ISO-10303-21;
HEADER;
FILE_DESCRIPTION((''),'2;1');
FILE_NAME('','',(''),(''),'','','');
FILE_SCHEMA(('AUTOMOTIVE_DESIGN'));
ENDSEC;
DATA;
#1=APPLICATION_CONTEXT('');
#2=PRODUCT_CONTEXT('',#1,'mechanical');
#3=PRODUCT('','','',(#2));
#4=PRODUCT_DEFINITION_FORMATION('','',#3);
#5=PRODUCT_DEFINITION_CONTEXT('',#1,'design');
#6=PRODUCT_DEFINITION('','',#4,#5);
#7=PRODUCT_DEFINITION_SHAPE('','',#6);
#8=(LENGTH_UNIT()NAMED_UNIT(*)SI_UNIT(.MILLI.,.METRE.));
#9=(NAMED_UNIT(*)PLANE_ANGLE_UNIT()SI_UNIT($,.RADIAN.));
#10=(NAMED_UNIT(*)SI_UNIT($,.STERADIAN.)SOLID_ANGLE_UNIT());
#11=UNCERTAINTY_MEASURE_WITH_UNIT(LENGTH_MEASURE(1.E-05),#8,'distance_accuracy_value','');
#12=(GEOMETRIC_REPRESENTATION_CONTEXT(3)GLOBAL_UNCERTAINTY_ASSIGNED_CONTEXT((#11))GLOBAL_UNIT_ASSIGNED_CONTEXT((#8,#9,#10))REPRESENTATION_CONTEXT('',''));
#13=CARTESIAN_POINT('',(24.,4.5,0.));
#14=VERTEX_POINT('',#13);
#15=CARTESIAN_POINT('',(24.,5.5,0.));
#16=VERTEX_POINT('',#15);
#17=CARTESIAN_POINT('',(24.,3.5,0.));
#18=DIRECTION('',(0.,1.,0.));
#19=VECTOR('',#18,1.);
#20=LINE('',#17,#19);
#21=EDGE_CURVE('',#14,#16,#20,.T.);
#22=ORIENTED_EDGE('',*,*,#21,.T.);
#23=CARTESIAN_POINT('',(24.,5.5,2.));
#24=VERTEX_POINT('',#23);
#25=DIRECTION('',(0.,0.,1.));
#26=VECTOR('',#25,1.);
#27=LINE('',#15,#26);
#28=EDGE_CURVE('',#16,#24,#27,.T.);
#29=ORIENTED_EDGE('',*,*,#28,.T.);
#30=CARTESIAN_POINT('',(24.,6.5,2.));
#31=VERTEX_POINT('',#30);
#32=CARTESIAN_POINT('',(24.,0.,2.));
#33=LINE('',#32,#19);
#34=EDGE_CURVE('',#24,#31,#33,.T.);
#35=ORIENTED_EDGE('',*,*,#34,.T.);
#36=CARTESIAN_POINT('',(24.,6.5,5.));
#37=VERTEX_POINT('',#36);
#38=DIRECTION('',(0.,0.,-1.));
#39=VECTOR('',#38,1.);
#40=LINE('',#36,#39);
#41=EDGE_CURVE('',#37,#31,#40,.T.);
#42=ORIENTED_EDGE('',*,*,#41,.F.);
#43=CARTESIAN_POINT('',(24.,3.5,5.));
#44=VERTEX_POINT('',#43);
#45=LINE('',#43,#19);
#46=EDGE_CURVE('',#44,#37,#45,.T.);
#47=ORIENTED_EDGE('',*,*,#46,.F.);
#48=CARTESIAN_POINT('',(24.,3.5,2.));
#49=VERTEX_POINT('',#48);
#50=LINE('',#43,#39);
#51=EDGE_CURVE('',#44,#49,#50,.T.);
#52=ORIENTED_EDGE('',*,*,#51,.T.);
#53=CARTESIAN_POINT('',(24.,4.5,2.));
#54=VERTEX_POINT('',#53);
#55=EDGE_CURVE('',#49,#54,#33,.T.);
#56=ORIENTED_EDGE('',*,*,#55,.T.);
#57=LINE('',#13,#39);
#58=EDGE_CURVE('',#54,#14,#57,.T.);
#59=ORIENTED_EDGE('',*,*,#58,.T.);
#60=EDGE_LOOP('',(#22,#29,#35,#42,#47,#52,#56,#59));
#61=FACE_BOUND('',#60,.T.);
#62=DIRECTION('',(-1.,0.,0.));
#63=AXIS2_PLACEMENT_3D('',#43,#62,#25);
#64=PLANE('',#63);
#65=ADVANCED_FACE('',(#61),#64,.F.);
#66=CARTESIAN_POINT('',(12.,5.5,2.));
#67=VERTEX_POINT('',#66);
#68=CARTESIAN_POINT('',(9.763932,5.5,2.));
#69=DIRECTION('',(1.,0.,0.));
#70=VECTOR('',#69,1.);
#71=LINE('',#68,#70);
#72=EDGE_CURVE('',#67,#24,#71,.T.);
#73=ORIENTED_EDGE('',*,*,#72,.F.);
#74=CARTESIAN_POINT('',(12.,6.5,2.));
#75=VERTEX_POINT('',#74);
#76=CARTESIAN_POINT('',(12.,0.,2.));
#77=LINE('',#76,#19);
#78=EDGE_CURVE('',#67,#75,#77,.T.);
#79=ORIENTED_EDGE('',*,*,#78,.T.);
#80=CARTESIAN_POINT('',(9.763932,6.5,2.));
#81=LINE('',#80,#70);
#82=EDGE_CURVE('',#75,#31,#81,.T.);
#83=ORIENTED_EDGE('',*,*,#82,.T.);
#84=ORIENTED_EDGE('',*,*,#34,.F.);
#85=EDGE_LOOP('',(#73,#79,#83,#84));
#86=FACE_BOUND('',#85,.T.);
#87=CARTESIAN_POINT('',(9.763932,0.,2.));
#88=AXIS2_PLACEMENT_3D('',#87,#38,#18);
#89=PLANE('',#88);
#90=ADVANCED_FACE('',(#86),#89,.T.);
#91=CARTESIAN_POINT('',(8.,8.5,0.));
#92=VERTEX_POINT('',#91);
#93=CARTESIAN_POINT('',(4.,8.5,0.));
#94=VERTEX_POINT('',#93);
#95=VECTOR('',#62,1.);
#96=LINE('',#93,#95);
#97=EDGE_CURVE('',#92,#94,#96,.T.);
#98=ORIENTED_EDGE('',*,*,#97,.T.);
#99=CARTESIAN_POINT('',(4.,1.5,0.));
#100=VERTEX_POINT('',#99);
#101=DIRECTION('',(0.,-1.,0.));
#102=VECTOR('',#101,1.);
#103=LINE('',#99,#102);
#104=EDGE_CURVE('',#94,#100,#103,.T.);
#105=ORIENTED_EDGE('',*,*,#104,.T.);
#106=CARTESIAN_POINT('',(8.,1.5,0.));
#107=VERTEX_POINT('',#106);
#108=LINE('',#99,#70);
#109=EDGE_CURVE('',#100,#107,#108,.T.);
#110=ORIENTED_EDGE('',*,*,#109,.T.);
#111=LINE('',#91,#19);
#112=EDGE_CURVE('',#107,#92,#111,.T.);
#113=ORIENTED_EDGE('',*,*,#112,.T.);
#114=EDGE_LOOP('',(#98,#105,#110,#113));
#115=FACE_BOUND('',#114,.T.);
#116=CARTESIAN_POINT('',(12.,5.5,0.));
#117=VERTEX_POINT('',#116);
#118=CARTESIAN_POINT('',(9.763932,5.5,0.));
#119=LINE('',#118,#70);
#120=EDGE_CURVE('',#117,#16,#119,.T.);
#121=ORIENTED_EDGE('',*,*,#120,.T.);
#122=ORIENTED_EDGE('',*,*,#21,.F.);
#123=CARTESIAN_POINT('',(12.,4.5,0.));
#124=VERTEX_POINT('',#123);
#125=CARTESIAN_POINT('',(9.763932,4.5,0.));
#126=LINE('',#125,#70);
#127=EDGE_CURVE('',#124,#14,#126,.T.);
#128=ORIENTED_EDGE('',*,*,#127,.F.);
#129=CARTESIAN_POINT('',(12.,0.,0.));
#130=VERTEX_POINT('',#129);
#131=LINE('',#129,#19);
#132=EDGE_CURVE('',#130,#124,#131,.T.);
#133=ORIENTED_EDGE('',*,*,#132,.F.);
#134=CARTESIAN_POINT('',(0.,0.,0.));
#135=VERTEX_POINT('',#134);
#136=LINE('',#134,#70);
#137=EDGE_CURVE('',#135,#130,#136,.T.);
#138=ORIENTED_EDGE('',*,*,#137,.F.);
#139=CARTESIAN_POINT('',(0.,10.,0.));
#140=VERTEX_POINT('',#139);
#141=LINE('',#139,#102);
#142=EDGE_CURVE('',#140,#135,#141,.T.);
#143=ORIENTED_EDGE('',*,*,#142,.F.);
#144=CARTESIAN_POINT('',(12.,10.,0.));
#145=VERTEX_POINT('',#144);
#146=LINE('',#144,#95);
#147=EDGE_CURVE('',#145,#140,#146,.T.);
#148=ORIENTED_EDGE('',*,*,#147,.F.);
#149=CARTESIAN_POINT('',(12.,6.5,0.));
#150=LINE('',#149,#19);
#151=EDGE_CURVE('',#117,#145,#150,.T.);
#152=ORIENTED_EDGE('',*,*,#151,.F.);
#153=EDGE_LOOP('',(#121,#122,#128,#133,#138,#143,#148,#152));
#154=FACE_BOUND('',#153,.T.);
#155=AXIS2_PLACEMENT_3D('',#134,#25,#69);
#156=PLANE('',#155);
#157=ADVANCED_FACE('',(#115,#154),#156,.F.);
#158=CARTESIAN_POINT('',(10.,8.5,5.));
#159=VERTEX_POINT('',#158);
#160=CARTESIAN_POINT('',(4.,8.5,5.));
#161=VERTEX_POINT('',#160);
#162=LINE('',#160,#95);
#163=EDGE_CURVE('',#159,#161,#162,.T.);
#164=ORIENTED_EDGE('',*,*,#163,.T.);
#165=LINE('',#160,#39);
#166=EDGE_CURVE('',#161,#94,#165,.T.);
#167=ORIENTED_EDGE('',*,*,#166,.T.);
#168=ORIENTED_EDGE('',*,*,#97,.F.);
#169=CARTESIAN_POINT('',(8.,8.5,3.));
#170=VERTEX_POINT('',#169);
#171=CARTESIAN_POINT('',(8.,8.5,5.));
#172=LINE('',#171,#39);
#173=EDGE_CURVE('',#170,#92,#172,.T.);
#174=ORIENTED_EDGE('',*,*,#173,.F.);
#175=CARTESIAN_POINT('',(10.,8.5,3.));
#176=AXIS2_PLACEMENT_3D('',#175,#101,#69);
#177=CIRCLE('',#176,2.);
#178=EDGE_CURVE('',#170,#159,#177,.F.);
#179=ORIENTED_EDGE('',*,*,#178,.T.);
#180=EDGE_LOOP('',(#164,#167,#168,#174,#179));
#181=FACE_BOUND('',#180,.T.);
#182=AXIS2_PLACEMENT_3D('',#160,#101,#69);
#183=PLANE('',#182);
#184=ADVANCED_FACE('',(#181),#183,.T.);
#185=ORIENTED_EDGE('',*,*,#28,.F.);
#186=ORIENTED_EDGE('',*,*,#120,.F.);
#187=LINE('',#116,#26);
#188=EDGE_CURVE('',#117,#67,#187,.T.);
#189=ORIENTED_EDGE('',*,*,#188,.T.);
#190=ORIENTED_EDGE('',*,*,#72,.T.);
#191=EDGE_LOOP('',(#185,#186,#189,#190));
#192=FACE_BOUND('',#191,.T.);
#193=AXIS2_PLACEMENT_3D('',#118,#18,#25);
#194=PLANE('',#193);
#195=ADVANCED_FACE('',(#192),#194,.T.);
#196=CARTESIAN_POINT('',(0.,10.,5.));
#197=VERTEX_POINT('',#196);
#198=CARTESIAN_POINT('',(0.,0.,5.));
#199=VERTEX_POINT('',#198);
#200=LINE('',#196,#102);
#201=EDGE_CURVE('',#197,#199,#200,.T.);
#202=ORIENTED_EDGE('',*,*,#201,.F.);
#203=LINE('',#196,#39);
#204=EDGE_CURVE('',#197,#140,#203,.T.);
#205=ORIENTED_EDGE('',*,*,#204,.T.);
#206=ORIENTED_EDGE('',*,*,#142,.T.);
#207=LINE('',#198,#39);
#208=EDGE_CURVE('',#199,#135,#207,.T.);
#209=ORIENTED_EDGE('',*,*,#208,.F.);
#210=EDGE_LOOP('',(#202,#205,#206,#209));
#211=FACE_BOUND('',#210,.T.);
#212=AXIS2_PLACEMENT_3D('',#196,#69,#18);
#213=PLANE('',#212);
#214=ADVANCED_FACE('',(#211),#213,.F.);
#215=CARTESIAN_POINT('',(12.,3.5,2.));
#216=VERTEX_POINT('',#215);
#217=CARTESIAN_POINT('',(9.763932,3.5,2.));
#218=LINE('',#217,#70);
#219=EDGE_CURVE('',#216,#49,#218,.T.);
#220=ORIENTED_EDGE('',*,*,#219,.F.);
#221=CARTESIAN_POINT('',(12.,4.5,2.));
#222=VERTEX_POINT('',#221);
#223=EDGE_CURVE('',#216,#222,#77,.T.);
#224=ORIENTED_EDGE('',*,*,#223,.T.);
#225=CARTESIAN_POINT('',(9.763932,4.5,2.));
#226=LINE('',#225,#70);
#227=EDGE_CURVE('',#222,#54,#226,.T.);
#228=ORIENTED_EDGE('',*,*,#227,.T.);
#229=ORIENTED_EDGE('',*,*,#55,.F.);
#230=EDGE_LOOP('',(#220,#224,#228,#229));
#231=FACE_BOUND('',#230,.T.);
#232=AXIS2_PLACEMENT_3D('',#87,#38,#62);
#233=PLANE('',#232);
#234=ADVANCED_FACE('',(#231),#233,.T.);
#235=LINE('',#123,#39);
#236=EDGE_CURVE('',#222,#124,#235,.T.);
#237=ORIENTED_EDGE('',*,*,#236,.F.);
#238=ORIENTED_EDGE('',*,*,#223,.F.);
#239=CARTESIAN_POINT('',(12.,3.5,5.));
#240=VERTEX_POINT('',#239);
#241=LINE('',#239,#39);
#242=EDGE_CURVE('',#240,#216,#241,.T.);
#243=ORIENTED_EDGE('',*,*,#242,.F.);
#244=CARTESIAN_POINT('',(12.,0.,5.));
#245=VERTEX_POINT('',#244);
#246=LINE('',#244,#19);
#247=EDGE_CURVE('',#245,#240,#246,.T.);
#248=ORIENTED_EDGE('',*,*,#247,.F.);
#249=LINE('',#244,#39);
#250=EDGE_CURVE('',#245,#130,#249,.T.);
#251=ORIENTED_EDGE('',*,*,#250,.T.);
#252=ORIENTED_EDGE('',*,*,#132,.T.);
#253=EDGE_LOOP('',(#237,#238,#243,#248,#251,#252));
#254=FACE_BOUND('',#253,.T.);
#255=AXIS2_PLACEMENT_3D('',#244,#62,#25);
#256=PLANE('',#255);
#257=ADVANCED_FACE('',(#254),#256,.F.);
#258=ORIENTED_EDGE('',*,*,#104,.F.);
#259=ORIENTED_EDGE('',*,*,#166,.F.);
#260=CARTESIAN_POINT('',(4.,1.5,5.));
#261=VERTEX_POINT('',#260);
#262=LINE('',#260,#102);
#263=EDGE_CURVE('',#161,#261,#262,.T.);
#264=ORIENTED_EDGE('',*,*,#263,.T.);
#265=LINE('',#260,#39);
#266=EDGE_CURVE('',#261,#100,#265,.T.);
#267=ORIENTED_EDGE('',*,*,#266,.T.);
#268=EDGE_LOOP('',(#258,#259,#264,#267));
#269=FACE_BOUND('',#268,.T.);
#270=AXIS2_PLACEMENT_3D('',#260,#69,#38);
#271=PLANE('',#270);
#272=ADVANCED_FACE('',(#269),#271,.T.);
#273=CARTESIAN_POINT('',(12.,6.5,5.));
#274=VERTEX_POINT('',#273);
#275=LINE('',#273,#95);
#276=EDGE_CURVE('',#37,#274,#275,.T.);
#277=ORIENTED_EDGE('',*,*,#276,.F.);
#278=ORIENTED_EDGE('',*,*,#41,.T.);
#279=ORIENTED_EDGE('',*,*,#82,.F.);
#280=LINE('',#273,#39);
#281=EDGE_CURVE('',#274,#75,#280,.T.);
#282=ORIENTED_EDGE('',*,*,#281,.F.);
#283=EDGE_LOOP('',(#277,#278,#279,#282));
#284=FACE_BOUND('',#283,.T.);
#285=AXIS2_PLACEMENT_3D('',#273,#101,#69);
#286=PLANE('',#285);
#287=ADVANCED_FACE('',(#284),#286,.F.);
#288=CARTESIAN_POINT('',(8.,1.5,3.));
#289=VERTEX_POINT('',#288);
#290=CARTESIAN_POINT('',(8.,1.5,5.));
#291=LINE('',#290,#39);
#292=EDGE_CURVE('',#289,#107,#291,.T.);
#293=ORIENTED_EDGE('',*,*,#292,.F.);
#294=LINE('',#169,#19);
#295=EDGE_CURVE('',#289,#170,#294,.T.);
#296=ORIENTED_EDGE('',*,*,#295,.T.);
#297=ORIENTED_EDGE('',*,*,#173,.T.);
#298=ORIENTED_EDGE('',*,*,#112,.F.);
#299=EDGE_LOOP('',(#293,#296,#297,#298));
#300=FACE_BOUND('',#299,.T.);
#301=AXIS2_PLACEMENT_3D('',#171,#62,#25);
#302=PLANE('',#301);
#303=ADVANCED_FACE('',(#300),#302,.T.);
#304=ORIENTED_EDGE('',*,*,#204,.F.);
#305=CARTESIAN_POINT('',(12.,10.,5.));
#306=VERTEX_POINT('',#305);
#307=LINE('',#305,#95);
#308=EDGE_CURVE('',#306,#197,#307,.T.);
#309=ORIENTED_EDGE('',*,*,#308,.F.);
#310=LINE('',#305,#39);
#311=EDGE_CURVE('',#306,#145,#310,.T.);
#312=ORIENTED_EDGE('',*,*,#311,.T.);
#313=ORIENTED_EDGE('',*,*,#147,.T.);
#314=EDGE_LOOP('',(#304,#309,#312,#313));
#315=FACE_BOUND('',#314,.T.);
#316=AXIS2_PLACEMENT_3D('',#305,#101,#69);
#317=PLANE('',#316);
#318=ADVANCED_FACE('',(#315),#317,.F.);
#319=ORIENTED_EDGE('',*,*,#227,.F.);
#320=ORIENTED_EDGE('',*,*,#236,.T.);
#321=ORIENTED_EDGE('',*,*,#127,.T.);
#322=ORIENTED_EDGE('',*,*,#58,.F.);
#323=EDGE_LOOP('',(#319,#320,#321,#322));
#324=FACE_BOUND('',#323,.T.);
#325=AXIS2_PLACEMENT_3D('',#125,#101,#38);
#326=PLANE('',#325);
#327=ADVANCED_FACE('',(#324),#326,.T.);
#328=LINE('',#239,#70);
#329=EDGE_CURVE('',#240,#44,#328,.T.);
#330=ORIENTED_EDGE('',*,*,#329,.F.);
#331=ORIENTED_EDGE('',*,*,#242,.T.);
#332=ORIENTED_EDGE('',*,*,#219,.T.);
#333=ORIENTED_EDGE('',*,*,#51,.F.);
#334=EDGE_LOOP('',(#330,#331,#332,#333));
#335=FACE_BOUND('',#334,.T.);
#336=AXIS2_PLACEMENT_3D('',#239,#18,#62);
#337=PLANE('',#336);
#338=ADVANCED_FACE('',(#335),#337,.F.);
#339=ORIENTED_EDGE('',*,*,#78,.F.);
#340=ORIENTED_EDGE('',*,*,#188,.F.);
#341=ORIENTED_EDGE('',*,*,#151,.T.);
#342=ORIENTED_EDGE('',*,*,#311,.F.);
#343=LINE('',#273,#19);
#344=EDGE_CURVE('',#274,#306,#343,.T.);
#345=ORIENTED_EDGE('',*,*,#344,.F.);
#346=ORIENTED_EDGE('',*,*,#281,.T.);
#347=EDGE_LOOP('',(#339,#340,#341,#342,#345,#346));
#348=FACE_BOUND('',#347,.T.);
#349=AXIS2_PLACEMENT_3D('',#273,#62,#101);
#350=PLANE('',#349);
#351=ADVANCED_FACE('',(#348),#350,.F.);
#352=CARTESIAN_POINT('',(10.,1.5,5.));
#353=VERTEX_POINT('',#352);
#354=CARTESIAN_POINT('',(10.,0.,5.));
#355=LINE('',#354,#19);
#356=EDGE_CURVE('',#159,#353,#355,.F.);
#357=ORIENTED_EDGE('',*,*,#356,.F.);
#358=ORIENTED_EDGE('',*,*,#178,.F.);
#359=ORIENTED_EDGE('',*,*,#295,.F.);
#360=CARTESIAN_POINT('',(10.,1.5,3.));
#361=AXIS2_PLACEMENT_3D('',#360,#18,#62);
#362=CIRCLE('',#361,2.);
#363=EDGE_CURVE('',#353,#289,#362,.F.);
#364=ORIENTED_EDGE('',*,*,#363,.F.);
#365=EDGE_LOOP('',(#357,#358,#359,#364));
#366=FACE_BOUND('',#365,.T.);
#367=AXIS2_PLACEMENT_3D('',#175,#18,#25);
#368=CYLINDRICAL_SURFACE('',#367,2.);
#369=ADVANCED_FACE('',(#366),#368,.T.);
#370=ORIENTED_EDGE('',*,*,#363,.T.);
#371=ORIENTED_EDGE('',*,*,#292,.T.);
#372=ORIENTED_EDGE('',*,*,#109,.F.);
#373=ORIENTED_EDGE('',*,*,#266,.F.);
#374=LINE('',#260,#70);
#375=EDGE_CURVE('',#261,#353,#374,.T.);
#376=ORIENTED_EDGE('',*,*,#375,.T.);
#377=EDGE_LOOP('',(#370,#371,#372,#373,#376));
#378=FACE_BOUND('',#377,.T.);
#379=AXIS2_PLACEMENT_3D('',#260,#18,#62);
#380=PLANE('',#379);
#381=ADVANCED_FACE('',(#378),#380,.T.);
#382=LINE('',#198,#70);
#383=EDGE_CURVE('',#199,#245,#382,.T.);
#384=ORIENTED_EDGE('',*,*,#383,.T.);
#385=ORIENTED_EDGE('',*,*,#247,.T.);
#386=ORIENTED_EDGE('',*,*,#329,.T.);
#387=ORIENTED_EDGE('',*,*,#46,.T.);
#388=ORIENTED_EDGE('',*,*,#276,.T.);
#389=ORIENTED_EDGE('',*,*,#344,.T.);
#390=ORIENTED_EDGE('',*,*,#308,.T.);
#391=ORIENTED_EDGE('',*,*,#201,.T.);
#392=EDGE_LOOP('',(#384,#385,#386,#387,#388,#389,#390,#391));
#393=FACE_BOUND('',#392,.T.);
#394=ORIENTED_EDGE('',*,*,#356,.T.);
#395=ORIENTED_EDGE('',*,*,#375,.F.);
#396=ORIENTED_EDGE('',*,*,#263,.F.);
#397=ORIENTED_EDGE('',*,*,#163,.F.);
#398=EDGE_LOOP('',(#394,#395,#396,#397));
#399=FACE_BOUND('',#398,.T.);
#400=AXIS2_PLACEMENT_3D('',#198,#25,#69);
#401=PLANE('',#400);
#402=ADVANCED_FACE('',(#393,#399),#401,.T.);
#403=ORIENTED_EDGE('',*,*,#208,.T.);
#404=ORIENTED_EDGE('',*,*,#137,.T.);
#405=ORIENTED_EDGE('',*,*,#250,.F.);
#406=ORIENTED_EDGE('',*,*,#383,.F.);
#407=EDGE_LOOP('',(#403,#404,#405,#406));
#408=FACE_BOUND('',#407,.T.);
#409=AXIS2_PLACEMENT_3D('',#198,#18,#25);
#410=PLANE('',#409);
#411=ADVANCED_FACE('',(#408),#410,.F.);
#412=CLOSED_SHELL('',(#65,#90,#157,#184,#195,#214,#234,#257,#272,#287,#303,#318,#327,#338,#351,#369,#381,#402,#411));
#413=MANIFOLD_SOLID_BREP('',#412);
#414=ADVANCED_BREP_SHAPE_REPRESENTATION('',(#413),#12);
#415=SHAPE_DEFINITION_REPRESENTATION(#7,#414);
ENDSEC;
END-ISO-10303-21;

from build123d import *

# Parameters (mm, degrees)
ESBO_O1_W                = 4
ESBO_O1_H                = 7
RESSALTO_EXTRUS_O1_DEPTH = 5
FILETE1_R                = 2
ESBO_O4_W                = 2
ESBO_O4_H                = 1
CORTE_EXTRUS_O2_DEPTH    = 12


with BuildPart() as part:
    # Esboço1 → Ressalto-extrusão1 (new body)
    with BuildSketch(Plane.XY):
        Polygon((24, 3.5), (24, 6.5), (12, 6.5), (12, 10), (0, 10), (0, 0), (12, 0), (12, 3.5), align=None)
        with Locations((6, 5)):
            Rectangle(ESBO_O1_W, ESBO_O1_H, mode=Mode.SUBTRACT)
    extrude(amount=RESSALTO_EXTRUS_O1_DEPTH)

    # Filete1
    filete1_edges = [part.edges().sort_by_distance(p)[0] for p in [
        (8, 5, 5),
    ]]
    fillet(filete1_edges, radius=FILETE1_R)

    # Esboço4 → Corte-extrusão2 (cut)
    with BuildSketch(Plane(origin=(24, 0, 0), x_dir=(0, 0, -1), z_dir=(1, 0, 0))):
        with Locations((-1, 4)):
            Rectangle(ESBO_O4_W, ESBO_O4_H)
        with Locations((-1, 6)):
            Rectangle(ESBO_O4_W, ESBO_O4_H)
    extrude(amount=-CORTE_EXTRUS_O2_DEPTH, mode=Mode.SUBTRACT)


solid = part.part
